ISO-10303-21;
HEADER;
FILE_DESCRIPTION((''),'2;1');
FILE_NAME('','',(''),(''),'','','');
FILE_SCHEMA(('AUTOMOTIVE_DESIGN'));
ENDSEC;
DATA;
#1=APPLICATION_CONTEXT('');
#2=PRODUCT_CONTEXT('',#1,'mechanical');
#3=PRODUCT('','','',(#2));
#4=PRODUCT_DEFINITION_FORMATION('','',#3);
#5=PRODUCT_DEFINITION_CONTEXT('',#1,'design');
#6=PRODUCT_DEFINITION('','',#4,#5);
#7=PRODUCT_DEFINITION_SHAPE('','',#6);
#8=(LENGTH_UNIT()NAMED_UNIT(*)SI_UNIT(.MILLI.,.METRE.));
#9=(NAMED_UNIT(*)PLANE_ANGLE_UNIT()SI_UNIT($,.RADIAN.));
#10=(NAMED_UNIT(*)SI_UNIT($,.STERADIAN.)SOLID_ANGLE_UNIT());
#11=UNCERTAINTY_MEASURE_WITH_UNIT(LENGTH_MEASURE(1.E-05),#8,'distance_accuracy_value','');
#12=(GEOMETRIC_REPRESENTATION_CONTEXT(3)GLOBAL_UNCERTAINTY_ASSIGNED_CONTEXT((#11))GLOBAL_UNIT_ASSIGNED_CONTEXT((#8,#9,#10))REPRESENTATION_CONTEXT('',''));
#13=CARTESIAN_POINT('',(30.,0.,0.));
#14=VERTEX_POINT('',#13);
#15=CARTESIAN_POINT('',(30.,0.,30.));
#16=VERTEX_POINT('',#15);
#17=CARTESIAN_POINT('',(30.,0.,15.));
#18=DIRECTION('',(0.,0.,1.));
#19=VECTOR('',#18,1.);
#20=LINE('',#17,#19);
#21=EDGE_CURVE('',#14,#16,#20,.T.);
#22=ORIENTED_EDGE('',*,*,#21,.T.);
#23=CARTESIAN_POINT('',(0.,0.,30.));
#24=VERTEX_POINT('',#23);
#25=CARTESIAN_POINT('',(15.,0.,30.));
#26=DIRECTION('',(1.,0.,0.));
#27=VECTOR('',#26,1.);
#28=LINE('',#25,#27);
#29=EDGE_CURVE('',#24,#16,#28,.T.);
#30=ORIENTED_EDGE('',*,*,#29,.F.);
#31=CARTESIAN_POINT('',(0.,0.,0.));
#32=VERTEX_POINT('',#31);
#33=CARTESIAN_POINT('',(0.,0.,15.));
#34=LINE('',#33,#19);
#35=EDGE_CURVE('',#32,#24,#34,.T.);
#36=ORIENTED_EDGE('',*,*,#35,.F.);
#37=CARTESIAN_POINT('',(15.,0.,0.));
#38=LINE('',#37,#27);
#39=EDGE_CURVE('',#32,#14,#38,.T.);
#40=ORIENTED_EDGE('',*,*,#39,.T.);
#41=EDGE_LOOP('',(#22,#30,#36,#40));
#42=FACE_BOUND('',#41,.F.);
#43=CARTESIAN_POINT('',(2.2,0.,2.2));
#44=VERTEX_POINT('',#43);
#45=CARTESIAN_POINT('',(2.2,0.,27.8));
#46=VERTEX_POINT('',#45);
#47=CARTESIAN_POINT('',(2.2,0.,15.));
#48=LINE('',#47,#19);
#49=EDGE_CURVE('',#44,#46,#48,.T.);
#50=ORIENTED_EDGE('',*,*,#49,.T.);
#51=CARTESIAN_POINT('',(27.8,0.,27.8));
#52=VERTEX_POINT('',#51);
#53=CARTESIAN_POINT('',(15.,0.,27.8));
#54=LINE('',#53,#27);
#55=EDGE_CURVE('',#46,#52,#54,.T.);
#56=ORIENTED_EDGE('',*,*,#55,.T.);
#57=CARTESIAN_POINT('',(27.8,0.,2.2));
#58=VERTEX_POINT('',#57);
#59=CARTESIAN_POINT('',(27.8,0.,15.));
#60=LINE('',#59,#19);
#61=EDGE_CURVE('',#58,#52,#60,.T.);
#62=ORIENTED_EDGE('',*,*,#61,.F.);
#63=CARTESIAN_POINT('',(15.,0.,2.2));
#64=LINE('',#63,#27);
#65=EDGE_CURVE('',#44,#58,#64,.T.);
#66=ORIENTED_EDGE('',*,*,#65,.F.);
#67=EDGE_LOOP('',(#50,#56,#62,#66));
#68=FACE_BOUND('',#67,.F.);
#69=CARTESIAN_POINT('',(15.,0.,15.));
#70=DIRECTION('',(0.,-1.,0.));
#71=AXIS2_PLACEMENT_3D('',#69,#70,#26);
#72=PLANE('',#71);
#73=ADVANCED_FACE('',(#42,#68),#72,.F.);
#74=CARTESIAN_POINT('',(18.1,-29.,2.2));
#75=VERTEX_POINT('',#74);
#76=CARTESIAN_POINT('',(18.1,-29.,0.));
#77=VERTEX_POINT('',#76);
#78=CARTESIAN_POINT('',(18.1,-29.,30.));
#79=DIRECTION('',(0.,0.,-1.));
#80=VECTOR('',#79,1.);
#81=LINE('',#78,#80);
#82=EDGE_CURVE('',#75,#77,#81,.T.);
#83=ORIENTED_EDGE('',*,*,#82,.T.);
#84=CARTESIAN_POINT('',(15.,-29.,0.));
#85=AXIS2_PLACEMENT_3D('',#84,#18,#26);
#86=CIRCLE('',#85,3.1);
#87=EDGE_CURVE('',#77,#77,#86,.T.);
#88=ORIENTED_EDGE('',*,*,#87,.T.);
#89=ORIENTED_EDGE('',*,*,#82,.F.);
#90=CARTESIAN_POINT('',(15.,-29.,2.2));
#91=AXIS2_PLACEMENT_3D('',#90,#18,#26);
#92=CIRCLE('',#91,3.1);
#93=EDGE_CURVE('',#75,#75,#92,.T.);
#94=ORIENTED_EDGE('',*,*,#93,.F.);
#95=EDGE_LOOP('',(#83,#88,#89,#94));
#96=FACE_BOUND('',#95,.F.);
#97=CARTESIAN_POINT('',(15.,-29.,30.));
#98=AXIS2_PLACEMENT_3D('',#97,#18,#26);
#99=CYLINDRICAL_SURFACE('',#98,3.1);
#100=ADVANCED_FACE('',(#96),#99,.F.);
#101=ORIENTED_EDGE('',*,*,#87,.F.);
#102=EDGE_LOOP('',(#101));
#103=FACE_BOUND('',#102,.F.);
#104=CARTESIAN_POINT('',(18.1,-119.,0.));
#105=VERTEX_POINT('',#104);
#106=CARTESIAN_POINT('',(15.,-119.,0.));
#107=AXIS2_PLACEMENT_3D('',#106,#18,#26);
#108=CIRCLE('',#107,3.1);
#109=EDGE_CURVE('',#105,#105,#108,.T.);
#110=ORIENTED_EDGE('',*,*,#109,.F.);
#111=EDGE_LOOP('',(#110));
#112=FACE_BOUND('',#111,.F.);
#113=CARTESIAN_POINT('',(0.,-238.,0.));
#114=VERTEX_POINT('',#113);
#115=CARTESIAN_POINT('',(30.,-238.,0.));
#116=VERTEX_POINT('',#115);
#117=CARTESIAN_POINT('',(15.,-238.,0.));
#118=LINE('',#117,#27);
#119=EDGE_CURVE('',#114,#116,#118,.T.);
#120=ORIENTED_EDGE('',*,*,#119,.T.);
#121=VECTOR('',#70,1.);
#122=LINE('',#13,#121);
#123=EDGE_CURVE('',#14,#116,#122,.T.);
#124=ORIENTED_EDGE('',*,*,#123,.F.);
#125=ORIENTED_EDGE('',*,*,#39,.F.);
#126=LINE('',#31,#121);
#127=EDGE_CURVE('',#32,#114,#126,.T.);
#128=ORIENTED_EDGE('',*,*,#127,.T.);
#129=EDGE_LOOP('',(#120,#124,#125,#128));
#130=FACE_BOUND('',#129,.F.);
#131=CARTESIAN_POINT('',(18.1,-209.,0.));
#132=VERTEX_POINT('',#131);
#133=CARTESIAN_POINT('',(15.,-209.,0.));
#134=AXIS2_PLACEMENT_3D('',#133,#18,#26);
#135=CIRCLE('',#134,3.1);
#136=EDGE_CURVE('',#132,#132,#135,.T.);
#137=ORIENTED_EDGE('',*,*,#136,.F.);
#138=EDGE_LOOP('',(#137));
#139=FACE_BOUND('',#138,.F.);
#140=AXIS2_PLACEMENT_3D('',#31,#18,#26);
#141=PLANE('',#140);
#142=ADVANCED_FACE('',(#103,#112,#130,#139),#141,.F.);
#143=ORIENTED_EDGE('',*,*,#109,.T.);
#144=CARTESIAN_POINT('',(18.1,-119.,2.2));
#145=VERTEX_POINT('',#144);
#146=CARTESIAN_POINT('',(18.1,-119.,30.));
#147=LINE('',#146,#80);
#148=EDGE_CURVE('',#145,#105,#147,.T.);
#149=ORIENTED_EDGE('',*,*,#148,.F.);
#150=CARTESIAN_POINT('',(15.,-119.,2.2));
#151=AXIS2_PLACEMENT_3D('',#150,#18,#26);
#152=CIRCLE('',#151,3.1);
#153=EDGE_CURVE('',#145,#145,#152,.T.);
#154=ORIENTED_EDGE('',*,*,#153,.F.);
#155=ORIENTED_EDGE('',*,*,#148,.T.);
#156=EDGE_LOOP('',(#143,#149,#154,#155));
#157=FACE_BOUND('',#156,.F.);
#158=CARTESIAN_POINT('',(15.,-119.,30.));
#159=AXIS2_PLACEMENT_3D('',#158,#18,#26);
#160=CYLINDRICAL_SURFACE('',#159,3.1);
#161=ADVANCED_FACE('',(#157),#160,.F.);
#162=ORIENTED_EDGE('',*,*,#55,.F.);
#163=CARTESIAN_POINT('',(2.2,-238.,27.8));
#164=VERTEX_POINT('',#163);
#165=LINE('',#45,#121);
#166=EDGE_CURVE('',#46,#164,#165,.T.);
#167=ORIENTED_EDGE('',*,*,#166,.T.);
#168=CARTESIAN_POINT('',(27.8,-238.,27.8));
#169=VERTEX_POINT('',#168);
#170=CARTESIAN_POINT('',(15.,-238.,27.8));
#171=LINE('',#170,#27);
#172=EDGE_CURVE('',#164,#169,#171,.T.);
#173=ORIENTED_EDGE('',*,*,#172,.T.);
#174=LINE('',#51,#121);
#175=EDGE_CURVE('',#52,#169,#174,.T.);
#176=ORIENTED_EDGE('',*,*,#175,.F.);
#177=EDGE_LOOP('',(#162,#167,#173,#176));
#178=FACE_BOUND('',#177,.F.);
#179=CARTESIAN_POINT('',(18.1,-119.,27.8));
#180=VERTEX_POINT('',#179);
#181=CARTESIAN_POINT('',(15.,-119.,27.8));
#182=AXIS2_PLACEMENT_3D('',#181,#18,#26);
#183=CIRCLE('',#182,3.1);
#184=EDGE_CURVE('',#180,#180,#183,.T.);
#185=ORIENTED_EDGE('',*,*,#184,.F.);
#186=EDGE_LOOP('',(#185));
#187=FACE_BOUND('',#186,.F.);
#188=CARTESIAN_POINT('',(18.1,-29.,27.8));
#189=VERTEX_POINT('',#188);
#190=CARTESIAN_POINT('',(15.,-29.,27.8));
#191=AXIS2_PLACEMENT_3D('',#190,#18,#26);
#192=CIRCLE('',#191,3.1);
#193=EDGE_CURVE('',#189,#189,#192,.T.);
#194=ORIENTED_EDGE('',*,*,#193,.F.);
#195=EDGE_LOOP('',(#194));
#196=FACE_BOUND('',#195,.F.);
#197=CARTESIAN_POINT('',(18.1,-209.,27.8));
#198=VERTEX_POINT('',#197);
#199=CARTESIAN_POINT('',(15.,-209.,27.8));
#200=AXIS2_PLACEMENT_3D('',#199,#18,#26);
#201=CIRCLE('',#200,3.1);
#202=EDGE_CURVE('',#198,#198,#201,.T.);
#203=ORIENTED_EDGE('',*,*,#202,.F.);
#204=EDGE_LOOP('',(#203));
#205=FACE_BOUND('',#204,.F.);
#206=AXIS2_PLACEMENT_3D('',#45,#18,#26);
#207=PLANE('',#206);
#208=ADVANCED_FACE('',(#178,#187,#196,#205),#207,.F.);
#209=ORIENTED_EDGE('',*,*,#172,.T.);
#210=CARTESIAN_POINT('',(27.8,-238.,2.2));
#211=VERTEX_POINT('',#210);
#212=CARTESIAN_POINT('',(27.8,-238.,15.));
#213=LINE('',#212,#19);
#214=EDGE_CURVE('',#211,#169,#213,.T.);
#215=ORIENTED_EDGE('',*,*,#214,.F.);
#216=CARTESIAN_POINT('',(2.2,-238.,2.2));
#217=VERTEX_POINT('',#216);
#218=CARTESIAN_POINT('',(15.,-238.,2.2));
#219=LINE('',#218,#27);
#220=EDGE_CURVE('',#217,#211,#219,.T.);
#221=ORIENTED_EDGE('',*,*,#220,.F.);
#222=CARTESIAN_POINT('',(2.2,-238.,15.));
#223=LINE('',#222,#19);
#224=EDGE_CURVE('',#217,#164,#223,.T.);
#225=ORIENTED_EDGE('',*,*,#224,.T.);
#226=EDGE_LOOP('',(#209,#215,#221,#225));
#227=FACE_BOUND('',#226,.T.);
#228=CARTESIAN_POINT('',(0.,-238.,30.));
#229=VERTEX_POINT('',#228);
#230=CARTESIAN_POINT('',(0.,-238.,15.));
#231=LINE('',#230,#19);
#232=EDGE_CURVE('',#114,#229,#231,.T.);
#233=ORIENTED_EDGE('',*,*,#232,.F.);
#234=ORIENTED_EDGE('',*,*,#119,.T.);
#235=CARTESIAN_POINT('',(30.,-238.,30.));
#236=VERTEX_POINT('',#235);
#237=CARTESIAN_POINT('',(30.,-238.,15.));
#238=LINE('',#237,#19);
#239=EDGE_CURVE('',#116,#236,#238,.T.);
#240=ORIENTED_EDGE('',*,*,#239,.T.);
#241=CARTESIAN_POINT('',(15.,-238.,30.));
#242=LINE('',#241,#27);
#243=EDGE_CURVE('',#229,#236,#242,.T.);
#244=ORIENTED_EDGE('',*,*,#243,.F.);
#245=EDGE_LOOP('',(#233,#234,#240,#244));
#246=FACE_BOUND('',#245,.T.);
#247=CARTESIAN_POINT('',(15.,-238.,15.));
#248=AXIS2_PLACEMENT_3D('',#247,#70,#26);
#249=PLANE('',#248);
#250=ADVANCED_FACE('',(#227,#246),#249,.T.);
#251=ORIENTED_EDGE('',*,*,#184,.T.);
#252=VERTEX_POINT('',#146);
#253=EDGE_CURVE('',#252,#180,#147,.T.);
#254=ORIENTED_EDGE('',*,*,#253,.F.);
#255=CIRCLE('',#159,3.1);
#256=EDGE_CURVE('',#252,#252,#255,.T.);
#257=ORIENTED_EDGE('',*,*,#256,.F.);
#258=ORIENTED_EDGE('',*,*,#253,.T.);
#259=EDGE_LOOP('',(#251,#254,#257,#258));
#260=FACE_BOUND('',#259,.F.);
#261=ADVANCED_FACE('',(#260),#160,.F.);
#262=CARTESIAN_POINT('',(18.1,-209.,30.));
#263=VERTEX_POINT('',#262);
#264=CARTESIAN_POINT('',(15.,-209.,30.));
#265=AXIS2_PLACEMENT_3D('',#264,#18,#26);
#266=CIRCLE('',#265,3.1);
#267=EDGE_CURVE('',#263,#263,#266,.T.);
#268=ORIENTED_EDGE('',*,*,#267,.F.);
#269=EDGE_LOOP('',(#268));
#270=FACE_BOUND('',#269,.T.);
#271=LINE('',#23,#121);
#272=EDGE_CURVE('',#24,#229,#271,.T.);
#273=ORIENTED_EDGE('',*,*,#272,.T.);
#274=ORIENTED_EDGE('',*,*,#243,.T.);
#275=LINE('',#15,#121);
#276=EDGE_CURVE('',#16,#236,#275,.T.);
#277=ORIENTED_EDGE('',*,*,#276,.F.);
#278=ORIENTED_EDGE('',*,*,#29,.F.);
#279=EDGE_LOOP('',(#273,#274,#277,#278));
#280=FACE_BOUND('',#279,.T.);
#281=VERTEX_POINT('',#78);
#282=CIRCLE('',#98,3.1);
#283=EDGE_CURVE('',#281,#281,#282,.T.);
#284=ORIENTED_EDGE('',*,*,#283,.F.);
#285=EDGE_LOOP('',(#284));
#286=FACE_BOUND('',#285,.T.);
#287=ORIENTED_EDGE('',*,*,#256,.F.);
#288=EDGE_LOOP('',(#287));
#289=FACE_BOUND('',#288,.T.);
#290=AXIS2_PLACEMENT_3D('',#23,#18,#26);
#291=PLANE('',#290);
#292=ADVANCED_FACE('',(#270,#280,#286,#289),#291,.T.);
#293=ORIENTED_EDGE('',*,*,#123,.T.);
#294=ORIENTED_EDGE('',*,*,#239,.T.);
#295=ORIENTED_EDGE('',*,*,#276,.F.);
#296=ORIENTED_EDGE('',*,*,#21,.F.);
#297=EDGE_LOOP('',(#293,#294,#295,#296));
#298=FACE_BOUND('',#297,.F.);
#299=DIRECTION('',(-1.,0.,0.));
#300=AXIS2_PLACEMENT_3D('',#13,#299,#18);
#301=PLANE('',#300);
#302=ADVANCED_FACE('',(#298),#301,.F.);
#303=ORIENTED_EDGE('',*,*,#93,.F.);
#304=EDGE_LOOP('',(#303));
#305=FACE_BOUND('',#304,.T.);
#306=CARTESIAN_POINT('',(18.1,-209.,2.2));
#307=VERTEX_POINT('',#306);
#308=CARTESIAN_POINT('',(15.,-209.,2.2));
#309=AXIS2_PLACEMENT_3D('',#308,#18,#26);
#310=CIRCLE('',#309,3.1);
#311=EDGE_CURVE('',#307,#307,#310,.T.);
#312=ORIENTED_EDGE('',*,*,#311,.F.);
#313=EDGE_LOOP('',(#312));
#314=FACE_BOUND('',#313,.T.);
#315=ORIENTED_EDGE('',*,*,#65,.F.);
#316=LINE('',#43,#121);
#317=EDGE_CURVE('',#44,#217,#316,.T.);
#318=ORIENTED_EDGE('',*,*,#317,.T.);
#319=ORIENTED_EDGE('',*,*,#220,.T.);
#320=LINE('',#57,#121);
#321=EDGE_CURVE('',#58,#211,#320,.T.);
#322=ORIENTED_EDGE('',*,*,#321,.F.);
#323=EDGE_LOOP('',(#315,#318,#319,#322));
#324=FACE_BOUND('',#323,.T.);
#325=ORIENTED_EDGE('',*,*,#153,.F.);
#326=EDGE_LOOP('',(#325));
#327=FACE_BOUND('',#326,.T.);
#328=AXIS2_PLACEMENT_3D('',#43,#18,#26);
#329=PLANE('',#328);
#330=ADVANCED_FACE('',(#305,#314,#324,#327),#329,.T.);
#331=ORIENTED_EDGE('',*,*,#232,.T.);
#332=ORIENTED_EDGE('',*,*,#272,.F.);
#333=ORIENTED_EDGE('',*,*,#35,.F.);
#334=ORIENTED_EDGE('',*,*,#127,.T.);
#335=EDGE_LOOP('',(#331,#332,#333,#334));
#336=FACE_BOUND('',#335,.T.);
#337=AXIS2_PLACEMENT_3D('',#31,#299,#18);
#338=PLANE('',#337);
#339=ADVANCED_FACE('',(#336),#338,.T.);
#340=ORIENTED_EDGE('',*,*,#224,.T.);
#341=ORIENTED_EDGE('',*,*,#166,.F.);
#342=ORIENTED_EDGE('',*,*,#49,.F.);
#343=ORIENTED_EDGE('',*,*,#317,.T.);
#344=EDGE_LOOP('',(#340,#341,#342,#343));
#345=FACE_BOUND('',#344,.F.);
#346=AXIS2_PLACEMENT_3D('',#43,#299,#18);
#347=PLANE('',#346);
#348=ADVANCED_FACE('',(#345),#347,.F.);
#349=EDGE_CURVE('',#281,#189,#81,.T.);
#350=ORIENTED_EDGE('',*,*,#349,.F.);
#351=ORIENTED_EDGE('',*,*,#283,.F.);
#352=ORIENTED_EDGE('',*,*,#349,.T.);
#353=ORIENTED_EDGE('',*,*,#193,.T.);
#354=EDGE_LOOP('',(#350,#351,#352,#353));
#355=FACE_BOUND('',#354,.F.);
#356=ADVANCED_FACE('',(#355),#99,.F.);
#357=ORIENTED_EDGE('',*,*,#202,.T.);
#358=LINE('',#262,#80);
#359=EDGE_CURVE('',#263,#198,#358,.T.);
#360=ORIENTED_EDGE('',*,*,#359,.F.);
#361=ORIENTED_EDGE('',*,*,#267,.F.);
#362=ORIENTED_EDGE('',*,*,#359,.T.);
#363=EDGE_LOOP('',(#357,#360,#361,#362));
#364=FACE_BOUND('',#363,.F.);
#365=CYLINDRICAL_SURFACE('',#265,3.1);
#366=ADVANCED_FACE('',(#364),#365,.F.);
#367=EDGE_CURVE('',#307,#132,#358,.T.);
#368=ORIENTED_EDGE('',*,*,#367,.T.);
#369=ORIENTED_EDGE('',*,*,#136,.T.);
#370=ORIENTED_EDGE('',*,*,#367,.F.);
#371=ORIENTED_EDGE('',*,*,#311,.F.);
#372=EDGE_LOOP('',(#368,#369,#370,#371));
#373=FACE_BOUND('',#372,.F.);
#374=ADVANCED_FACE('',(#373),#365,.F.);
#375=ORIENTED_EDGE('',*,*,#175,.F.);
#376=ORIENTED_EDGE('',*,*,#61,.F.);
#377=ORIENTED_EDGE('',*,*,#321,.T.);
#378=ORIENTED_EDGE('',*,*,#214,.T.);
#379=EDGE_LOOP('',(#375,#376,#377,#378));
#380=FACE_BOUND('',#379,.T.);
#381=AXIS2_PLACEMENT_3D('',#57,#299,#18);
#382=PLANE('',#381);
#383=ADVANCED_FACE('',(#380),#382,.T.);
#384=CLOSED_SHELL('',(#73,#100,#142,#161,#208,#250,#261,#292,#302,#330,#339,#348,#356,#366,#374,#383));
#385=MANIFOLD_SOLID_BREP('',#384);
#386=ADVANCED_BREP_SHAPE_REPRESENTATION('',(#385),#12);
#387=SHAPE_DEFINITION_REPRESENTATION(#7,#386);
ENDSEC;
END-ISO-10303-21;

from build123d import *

# Parameters (mm, degrees)
F0_W     = 30
F0_H     = 30
F0_W_2   = 25.6
F0_H_2   = 25.6
F1_DEPTH = 238
F2_R     = 3.1
F3_DEPTH = 35


with BuildPart() as f1:
    # F0 (on Front) → F1 (new body)
    with BuildSketch(Plane.XZ):
        with Locations((15, 15)):
            Rectangle(F0_W, F0_H)
        with Locations((15, 15)):
            Rectangle(F0_W_2, F0_H_2, mode=Mode.SUBTRACT)
    extrude(amount=F1_DEPTH)

    # F2 (on face) → F3 (cut)
    with BuildSketch(Plane.XY.offset(30)):
        with Locations((15, -29)):
            Circle(F2_R)
        with Locations((15, -119)):
            Circle(F2_R)
        with Locations((15, -209)):
            Circle(F2_R)
    extrude(amount=-F3_DEPTH, mode=Mode.SUBTRACT)


solid = f1.part
